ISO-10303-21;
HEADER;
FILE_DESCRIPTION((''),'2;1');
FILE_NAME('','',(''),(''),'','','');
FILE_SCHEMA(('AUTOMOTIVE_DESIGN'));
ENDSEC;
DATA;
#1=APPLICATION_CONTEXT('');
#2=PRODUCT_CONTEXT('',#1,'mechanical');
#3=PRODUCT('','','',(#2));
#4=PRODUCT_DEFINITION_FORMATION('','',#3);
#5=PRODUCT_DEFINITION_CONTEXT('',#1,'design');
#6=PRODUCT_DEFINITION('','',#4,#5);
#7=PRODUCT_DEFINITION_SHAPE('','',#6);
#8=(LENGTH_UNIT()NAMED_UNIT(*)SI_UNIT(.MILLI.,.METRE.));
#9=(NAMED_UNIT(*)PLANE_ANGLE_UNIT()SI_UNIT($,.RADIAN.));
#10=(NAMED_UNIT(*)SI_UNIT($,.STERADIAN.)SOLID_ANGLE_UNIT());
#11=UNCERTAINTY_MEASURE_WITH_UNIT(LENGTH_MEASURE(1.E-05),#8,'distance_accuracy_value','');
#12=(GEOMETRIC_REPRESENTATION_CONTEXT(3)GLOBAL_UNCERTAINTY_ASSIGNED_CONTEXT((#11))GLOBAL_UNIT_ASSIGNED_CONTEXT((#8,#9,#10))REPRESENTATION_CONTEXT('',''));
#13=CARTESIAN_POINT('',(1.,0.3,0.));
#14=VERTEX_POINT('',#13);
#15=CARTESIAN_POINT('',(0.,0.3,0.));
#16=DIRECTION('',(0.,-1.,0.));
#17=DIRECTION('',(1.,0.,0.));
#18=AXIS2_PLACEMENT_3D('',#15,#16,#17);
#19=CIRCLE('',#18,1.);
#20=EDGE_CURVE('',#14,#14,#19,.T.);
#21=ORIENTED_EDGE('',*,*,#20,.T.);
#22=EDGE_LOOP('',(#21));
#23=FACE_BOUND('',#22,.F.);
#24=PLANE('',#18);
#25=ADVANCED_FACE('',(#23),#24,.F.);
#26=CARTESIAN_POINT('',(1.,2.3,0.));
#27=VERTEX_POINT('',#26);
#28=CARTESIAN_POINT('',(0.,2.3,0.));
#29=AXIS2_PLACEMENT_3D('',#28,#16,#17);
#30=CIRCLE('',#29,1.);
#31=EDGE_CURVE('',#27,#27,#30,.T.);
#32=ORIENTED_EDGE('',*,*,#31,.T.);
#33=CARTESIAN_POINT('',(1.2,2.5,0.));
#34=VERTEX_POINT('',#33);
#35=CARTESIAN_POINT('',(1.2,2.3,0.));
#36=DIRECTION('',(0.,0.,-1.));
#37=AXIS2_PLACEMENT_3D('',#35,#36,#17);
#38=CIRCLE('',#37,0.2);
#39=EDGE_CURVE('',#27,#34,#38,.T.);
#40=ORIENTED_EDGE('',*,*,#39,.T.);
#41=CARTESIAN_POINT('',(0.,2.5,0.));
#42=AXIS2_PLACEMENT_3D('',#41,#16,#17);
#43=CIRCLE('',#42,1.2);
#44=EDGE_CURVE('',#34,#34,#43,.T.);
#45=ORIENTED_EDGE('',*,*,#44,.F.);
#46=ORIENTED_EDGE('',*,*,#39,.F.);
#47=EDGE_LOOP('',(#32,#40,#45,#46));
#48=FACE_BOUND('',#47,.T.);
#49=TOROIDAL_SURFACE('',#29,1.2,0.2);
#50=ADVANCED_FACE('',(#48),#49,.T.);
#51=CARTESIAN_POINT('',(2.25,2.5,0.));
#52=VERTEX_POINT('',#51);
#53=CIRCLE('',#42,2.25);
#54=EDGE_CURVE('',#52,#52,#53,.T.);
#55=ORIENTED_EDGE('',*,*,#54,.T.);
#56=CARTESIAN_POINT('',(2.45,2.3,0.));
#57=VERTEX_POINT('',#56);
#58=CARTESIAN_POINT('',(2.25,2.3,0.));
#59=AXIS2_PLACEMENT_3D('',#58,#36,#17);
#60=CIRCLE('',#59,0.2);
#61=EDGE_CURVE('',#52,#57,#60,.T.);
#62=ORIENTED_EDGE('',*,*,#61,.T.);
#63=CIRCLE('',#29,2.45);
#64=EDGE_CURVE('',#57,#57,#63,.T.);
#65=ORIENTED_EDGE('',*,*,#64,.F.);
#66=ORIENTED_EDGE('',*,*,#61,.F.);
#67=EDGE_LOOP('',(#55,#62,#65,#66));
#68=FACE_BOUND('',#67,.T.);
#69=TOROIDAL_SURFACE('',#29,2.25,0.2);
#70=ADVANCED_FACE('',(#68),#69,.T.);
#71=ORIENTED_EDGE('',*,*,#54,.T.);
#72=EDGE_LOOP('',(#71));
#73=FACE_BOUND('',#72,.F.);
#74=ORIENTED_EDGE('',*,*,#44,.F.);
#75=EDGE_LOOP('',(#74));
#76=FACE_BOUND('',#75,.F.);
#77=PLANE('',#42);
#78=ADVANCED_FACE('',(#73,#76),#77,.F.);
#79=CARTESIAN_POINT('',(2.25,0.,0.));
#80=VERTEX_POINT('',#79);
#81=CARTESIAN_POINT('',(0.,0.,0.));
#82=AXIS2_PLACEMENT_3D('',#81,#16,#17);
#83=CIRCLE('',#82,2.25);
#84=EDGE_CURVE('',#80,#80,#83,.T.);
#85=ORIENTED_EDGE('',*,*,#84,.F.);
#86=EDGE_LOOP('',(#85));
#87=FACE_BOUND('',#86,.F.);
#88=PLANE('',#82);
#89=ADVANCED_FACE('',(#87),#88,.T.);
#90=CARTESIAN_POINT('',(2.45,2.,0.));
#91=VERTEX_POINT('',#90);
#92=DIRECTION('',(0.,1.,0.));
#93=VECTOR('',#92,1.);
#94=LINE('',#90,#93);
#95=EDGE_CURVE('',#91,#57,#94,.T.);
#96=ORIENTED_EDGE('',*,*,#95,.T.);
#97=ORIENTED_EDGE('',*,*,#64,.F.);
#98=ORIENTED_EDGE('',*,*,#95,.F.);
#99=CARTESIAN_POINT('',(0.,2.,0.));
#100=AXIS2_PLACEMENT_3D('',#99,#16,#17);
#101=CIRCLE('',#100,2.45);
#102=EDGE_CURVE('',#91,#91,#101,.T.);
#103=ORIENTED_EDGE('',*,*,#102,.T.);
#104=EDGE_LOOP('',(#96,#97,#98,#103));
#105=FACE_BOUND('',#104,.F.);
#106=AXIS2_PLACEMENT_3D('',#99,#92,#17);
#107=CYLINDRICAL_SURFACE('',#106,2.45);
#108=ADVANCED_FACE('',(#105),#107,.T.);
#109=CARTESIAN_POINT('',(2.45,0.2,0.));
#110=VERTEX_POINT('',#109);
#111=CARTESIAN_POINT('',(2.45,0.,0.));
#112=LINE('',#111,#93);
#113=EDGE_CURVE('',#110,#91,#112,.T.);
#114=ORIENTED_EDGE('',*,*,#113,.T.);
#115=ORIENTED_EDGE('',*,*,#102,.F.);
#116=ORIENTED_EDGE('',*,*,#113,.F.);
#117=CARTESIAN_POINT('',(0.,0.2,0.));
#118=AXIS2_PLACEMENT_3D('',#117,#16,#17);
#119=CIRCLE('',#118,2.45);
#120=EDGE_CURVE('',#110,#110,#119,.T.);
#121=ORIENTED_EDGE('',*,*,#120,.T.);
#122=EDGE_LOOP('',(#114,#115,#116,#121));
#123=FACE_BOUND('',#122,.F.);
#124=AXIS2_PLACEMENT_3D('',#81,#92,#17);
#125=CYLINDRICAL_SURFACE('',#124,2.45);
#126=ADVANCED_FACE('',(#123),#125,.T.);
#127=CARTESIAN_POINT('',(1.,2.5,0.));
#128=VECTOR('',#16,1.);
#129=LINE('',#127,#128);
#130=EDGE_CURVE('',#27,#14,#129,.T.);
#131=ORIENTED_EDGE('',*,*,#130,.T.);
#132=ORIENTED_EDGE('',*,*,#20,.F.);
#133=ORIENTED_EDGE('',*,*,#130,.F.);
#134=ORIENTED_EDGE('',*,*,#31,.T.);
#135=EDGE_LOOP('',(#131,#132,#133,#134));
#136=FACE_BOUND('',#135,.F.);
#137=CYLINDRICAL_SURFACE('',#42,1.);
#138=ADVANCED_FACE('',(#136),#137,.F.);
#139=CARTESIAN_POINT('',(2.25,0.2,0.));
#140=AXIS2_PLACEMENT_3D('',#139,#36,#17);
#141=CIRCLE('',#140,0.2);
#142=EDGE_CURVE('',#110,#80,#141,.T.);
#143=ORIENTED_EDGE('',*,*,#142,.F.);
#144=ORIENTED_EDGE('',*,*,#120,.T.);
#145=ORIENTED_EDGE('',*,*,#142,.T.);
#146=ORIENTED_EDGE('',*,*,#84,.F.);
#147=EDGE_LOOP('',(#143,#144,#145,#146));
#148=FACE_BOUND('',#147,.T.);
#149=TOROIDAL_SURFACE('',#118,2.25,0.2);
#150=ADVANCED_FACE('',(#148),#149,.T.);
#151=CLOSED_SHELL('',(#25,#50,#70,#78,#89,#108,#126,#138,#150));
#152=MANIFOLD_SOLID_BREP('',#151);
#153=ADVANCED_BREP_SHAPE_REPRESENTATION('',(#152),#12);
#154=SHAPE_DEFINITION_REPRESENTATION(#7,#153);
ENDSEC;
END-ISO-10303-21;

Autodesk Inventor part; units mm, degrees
ref_plane "YZ Plane" through (0, 0, 0) normal (1, 0, 0) x (0, 1, 0)
ref_plane "XZ Plane" through (0, 0, 0) normal (0, 1, 0) x (-1, 0, 0)
ref_plane "XY Plane" through (0, 0, 0) normal (0, 0, 1) x (1, 0, 0)
sketch "Sketch1" plane through (0, 0, 0) normal (0, 0, 1) x (1, 0, 0)
  line L0 (0, 0) -> (2.45, 0)
  line L1 (2.45, 0) -> (2.45, 2)
  line L2 (2.45, 2) -> (2.95, 2)
  line L3 (2.95, 2) -> (2.95, 2.5)
  line L4 (2.95, 2.5) -> (1, 2.5)
  line L5 (1, 2.5) -> (1, 0.3)
  line L6 (1, 0.3) -> (0, 0.3)
  line L7 (0, 0.3) -> (0, 0)
  line L8 (2.45, 2) -> (2.45, 2.5)
  dimension "d0" = 1
  dimension "d1" = 2
  dimension "d2" = 0.5
  dimension "d3" = 0.5
  dimension "d4" = 2.45
  dimension "d5" = 0.3
revolve "Revolution1" add sketch "Sketch1" angle 360 about axis through (0, 0.3, 0) along (0, -1, 0) contours L7 L6 L5 L4 L8 L1 L0
fillet "Fillet1" radius 0.2 3 edges at (-1, 2.5, 0) (-2.45, 2.5, 0) (-2.45, 0, 0)
properties part number "BearingAdapter"
